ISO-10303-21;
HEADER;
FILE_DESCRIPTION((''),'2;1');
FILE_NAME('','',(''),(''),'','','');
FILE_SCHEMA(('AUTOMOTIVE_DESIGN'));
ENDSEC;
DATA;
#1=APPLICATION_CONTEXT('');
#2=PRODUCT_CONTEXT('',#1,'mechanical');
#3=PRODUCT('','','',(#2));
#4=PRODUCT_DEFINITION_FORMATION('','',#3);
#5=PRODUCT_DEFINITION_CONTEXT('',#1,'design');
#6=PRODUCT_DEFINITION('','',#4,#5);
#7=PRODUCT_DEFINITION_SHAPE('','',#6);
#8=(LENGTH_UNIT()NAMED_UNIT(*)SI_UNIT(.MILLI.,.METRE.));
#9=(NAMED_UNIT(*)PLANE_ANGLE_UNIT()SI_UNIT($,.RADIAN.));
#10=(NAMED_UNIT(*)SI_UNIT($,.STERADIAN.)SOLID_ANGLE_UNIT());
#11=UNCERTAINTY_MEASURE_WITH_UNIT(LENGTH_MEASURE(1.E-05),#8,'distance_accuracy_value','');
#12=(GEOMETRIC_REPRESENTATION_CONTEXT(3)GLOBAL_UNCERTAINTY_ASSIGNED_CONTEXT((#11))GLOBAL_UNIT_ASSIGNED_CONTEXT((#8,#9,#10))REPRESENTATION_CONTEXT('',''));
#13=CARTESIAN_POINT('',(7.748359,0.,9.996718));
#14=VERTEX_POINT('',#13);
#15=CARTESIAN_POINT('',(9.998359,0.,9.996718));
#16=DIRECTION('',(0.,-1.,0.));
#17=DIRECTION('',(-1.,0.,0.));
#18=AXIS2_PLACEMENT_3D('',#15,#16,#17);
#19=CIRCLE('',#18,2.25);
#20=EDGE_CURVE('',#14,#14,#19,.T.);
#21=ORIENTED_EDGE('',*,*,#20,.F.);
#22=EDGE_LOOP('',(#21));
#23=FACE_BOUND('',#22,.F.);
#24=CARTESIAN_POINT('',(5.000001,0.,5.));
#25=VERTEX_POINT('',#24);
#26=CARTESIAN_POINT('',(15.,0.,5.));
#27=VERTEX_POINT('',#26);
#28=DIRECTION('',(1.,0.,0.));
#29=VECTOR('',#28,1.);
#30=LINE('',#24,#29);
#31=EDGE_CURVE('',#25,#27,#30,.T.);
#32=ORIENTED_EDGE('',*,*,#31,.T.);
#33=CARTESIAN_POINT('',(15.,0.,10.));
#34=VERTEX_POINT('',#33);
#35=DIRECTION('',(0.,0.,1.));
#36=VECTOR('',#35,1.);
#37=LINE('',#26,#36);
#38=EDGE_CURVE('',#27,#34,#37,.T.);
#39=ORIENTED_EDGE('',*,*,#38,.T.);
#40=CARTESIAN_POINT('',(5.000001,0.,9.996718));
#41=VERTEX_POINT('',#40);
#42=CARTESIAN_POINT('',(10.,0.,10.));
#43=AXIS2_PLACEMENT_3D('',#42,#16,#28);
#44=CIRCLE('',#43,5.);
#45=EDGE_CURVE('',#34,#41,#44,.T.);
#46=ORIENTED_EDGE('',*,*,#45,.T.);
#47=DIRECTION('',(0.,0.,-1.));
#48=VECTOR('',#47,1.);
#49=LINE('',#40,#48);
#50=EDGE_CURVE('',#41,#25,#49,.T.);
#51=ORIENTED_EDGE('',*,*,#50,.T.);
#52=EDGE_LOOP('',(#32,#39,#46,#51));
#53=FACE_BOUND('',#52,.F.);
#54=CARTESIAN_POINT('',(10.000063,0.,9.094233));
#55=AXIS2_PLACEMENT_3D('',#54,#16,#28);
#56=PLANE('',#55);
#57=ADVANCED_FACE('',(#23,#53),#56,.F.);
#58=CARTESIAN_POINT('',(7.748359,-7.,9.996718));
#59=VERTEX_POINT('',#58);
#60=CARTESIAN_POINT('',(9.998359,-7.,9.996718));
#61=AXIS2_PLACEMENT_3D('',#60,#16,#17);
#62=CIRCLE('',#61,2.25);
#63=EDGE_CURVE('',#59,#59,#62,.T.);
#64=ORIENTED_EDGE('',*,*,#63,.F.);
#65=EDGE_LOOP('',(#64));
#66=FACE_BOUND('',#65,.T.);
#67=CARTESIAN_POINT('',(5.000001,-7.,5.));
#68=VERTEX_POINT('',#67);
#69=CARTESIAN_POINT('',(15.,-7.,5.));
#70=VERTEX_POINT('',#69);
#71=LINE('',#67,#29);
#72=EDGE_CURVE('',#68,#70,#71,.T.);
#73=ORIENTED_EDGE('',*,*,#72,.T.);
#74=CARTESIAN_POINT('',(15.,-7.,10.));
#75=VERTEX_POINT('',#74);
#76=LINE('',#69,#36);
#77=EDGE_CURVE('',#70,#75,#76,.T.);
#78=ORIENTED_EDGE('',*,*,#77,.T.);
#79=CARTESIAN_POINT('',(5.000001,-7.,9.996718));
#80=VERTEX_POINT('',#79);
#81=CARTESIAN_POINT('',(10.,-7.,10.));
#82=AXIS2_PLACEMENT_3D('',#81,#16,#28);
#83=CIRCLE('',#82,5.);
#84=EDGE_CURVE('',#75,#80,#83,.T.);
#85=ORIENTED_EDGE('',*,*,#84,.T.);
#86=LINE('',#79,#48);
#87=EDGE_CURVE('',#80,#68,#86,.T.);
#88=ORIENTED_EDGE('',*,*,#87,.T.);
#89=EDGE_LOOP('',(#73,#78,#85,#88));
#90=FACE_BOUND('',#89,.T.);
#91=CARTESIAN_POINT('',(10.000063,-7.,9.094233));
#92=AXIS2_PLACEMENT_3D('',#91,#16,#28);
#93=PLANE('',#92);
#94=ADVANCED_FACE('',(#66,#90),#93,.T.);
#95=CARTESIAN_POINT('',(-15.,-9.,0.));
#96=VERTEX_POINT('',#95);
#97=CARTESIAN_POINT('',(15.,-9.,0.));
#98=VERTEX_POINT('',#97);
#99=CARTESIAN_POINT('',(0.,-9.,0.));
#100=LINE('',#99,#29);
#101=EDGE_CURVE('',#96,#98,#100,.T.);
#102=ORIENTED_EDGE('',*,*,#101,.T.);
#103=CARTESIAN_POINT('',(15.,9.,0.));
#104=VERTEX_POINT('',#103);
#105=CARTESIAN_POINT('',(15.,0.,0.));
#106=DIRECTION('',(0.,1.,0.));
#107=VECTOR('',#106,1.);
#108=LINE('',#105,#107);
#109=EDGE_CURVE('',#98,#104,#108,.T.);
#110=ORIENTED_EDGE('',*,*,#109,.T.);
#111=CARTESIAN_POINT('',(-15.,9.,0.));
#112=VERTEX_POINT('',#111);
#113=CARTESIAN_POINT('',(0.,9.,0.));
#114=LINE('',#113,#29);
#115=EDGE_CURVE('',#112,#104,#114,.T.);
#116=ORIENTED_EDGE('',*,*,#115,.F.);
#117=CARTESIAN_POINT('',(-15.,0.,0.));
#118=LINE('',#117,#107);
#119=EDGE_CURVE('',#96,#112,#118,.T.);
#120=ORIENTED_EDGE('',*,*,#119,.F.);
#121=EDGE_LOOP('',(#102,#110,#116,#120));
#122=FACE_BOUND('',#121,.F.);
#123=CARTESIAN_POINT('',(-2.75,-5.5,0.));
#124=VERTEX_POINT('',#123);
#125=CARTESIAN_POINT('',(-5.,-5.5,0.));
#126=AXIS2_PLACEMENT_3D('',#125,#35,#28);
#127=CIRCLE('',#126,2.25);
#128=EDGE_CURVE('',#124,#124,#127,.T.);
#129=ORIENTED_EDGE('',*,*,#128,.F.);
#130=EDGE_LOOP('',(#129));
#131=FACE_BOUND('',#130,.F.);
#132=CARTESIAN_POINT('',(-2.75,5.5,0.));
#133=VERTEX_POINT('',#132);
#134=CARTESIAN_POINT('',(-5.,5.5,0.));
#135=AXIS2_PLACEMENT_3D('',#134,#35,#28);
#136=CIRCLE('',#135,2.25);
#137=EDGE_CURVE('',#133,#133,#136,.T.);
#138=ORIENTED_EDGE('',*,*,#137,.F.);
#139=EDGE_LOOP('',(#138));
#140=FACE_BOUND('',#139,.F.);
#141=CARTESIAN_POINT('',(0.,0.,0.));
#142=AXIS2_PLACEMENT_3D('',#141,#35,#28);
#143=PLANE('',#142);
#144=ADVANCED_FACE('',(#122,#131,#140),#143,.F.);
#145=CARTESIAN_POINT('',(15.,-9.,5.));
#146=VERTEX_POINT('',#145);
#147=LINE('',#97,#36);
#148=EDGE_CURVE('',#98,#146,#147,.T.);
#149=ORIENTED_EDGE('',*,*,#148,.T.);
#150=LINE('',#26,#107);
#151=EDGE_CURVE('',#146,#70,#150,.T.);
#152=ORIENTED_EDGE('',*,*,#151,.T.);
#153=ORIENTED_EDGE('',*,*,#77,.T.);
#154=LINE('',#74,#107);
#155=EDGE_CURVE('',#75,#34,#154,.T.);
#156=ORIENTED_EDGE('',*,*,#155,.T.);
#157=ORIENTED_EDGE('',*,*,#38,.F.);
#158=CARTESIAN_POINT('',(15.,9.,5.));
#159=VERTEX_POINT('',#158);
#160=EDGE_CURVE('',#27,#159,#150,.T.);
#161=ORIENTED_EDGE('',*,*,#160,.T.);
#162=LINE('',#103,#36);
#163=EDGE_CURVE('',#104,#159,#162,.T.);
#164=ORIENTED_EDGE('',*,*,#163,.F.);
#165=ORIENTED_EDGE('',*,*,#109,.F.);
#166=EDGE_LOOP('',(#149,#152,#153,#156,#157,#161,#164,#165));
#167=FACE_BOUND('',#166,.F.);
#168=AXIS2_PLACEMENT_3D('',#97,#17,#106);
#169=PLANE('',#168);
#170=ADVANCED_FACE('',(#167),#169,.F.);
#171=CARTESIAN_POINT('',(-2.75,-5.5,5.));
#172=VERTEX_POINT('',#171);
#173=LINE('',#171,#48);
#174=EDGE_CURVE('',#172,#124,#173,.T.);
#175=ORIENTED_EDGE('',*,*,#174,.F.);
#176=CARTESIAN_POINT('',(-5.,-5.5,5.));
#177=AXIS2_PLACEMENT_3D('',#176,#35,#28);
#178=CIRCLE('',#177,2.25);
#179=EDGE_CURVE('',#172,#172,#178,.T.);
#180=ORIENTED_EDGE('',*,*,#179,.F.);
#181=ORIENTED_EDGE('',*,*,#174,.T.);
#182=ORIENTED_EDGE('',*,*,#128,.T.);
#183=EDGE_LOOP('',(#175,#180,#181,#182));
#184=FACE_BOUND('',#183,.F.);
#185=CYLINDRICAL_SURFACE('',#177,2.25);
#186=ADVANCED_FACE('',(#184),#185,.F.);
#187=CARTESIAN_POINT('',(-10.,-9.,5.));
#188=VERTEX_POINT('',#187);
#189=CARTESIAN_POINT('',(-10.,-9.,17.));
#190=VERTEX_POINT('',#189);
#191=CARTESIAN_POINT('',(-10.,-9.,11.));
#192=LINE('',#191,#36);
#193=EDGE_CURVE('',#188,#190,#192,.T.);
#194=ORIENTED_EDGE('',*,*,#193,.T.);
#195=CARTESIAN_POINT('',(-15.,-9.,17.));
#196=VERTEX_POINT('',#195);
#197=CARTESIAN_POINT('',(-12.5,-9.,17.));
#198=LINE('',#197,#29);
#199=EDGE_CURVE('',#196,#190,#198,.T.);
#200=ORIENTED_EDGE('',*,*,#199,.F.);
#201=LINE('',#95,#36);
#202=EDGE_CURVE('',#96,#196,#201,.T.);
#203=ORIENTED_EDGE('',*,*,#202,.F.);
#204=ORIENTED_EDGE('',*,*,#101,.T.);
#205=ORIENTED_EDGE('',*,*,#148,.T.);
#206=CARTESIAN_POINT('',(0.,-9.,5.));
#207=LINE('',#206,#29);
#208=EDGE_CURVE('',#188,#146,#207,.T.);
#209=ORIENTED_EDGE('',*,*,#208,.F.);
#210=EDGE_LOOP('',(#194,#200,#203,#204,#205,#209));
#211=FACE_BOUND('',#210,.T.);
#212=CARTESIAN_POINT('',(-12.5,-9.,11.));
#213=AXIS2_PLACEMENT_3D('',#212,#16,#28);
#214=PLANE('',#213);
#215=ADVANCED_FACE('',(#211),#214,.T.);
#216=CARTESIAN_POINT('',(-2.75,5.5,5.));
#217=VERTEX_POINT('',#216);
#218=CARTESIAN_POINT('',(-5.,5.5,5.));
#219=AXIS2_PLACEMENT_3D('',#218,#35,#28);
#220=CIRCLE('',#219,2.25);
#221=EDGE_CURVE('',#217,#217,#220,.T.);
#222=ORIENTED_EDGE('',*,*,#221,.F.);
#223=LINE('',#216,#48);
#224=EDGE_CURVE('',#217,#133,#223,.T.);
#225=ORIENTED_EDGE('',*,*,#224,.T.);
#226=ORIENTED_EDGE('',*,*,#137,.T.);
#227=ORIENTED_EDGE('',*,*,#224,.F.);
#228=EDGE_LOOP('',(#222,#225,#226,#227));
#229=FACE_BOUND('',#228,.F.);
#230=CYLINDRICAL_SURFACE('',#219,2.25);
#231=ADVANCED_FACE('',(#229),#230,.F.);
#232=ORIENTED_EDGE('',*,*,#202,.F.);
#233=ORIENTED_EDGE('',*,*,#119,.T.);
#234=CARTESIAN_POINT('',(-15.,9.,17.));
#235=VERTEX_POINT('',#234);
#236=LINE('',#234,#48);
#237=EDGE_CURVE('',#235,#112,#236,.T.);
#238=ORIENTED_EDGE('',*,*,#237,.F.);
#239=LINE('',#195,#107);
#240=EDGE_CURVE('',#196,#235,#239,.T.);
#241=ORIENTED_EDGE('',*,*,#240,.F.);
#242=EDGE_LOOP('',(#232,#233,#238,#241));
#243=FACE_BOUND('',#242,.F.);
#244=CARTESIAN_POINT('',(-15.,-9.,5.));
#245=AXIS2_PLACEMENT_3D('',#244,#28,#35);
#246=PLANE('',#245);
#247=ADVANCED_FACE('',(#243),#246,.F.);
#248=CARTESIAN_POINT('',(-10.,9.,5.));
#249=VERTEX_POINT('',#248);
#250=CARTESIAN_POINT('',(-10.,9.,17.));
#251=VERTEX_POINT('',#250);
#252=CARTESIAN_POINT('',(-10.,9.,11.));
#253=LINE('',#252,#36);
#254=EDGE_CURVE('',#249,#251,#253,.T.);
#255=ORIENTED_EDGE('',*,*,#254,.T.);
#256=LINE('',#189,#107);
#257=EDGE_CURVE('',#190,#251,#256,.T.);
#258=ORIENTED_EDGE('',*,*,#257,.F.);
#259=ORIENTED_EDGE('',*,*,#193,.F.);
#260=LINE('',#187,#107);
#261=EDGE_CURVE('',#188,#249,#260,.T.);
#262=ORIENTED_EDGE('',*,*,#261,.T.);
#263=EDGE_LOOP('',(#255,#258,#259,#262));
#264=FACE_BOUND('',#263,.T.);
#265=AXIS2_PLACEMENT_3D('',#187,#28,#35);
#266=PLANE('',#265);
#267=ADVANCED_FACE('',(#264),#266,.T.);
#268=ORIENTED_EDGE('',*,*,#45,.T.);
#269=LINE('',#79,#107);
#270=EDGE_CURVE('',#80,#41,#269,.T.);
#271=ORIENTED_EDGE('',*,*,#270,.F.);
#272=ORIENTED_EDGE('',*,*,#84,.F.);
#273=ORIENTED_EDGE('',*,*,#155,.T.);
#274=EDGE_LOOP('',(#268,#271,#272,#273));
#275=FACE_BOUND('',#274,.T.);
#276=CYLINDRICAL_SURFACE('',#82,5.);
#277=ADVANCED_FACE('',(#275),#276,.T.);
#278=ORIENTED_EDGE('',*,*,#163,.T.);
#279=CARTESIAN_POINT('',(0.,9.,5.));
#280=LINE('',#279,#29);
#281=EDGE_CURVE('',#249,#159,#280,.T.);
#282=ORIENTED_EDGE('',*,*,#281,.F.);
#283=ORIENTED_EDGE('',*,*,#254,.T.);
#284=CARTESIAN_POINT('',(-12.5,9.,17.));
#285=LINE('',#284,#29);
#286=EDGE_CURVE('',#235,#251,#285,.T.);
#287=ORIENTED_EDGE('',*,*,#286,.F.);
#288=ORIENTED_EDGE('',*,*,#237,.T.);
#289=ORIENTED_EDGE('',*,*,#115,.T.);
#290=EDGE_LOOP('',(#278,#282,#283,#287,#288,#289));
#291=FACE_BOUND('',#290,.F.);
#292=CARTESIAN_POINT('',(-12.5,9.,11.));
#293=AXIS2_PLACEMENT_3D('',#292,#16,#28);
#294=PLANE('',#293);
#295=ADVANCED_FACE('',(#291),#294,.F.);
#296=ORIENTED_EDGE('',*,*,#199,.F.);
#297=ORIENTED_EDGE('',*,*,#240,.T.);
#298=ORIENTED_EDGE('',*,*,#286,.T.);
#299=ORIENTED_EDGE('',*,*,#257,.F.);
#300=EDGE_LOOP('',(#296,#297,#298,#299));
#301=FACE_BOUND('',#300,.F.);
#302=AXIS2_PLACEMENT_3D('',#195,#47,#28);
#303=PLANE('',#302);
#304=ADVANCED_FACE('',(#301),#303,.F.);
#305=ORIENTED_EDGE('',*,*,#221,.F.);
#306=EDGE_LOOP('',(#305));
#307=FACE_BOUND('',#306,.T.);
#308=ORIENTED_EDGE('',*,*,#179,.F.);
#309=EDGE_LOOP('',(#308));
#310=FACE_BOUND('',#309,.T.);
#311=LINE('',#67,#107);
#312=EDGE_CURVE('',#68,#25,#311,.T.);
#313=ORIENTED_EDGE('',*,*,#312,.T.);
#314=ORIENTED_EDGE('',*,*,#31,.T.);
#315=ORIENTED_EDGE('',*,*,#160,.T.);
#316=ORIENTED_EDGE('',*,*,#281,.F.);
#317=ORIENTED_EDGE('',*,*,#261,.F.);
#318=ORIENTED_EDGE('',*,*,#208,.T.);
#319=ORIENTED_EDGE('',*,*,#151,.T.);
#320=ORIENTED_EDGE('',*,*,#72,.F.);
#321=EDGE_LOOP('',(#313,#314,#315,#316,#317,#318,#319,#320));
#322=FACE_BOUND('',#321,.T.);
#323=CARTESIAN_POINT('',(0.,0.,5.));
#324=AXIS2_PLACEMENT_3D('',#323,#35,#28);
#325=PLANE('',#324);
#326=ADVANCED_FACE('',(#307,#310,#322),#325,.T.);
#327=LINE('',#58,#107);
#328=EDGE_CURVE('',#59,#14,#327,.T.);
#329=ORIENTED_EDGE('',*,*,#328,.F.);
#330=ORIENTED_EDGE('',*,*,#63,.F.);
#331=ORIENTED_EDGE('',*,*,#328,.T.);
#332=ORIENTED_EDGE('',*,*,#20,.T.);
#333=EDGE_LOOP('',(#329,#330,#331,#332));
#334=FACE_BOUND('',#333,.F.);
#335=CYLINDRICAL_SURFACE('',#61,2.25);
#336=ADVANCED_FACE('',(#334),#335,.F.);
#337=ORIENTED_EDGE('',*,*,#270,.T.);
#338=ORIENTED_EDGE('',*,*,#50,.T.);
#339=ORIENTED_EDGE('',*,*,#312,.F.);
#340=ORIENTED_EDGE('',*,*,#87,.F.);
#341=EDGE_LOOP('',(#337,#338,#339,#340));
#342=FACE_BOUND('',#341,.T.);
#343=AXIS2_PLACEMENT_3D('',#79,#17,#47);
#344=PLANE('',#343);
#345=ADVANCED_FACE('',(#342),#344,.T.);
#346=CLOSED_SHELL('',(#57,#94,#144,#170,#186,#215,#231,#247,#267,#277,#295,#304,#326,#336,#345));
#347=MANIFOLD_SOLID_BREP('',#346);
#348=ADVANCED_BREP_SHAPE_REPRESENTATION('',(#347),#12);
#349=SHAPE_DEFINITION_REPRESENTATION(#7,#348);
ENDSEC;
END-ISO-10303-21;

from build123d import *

# Parameters (mm, degrees)
F0_W     = 30
F0_H     = 18
F1_DEPTH = 5
F2_R     = 2.25
F3_DEPTH = 5
F5_START = -2
F5_DEPTH = 7
F7_DEPTH = 7
F8_W     = 5
F8_H     = 12
F9_DEPTH = 18


with BuildPart() as f1:
    # F0 (on Top) → F1 (new body)
    with BuildSketch(Plane.XY):
        Rectangle(F0_W, F0_H)
    extrude(amount=F1_DEPTH)

    # F2 (on face) → F3 (cut, through all)
    with BuildSketch(Plane.XY.offset(5)):
        with Locations((-5, 5.5)):
            Circle(F2_R)
        with Locations((-5, -5.5)):
            Circle(F2_R)
    extrude(amount=-F3_DEPTH, mode=Mode.SUBTRACT)

    # F4 (on face) → F5 (join)
    with BuildSketch(Plane.XZ.offset(9).offset(F5_START)):
        with BuildLine():
            Line((15, 5), (15, 10))
            ThreePointArc((15, 10), (9.9983587547, 14.9999997306), (5.0000010775, 9.9967175095))
            Line((5.0000010775, 9.9967175095), (5.0000010775, 5))
            Line((5.0000010775, 5), (15, 5))
        make_face()
    extrude(amount=-F5_DEPTH)

    # F6 (on face) → F7 (cut, through all)
    with BuildSketch(Plane.XZ.offset(7)):
        with BuildLine():
            Line((7.7483587547, 9.9967175095), (12.2483587547, 9.9967175095))
            ThreePointArc((12.2483587547, 9.9967175095), (9.9983587547, 12.2467175095), (7.7483587547, 9.9967175095))
        make_face()
        with BuildLine():
            ThreePointArc((7.7483587547, 9.9967175095), (9.9983587547, 7.7467175095), (12.2483587547, 9.9967175095))
            Line((12.2483587547, 9.9967175095), (7.7483587547, 9.9967175095))
        make_face()
    extrude(amount=-F7_DEPTH, mode=Mode.SUBTRACT)

    # F8 (on face) → F9 (join)
    with BuildSketch(Plane.XZ.offset(9)):
        with Locations((-12.5, 11)):
            Rectangle(F8_W, F8_H)
    extrude(amount=-F9_DEPTH)


solid = f1.part
